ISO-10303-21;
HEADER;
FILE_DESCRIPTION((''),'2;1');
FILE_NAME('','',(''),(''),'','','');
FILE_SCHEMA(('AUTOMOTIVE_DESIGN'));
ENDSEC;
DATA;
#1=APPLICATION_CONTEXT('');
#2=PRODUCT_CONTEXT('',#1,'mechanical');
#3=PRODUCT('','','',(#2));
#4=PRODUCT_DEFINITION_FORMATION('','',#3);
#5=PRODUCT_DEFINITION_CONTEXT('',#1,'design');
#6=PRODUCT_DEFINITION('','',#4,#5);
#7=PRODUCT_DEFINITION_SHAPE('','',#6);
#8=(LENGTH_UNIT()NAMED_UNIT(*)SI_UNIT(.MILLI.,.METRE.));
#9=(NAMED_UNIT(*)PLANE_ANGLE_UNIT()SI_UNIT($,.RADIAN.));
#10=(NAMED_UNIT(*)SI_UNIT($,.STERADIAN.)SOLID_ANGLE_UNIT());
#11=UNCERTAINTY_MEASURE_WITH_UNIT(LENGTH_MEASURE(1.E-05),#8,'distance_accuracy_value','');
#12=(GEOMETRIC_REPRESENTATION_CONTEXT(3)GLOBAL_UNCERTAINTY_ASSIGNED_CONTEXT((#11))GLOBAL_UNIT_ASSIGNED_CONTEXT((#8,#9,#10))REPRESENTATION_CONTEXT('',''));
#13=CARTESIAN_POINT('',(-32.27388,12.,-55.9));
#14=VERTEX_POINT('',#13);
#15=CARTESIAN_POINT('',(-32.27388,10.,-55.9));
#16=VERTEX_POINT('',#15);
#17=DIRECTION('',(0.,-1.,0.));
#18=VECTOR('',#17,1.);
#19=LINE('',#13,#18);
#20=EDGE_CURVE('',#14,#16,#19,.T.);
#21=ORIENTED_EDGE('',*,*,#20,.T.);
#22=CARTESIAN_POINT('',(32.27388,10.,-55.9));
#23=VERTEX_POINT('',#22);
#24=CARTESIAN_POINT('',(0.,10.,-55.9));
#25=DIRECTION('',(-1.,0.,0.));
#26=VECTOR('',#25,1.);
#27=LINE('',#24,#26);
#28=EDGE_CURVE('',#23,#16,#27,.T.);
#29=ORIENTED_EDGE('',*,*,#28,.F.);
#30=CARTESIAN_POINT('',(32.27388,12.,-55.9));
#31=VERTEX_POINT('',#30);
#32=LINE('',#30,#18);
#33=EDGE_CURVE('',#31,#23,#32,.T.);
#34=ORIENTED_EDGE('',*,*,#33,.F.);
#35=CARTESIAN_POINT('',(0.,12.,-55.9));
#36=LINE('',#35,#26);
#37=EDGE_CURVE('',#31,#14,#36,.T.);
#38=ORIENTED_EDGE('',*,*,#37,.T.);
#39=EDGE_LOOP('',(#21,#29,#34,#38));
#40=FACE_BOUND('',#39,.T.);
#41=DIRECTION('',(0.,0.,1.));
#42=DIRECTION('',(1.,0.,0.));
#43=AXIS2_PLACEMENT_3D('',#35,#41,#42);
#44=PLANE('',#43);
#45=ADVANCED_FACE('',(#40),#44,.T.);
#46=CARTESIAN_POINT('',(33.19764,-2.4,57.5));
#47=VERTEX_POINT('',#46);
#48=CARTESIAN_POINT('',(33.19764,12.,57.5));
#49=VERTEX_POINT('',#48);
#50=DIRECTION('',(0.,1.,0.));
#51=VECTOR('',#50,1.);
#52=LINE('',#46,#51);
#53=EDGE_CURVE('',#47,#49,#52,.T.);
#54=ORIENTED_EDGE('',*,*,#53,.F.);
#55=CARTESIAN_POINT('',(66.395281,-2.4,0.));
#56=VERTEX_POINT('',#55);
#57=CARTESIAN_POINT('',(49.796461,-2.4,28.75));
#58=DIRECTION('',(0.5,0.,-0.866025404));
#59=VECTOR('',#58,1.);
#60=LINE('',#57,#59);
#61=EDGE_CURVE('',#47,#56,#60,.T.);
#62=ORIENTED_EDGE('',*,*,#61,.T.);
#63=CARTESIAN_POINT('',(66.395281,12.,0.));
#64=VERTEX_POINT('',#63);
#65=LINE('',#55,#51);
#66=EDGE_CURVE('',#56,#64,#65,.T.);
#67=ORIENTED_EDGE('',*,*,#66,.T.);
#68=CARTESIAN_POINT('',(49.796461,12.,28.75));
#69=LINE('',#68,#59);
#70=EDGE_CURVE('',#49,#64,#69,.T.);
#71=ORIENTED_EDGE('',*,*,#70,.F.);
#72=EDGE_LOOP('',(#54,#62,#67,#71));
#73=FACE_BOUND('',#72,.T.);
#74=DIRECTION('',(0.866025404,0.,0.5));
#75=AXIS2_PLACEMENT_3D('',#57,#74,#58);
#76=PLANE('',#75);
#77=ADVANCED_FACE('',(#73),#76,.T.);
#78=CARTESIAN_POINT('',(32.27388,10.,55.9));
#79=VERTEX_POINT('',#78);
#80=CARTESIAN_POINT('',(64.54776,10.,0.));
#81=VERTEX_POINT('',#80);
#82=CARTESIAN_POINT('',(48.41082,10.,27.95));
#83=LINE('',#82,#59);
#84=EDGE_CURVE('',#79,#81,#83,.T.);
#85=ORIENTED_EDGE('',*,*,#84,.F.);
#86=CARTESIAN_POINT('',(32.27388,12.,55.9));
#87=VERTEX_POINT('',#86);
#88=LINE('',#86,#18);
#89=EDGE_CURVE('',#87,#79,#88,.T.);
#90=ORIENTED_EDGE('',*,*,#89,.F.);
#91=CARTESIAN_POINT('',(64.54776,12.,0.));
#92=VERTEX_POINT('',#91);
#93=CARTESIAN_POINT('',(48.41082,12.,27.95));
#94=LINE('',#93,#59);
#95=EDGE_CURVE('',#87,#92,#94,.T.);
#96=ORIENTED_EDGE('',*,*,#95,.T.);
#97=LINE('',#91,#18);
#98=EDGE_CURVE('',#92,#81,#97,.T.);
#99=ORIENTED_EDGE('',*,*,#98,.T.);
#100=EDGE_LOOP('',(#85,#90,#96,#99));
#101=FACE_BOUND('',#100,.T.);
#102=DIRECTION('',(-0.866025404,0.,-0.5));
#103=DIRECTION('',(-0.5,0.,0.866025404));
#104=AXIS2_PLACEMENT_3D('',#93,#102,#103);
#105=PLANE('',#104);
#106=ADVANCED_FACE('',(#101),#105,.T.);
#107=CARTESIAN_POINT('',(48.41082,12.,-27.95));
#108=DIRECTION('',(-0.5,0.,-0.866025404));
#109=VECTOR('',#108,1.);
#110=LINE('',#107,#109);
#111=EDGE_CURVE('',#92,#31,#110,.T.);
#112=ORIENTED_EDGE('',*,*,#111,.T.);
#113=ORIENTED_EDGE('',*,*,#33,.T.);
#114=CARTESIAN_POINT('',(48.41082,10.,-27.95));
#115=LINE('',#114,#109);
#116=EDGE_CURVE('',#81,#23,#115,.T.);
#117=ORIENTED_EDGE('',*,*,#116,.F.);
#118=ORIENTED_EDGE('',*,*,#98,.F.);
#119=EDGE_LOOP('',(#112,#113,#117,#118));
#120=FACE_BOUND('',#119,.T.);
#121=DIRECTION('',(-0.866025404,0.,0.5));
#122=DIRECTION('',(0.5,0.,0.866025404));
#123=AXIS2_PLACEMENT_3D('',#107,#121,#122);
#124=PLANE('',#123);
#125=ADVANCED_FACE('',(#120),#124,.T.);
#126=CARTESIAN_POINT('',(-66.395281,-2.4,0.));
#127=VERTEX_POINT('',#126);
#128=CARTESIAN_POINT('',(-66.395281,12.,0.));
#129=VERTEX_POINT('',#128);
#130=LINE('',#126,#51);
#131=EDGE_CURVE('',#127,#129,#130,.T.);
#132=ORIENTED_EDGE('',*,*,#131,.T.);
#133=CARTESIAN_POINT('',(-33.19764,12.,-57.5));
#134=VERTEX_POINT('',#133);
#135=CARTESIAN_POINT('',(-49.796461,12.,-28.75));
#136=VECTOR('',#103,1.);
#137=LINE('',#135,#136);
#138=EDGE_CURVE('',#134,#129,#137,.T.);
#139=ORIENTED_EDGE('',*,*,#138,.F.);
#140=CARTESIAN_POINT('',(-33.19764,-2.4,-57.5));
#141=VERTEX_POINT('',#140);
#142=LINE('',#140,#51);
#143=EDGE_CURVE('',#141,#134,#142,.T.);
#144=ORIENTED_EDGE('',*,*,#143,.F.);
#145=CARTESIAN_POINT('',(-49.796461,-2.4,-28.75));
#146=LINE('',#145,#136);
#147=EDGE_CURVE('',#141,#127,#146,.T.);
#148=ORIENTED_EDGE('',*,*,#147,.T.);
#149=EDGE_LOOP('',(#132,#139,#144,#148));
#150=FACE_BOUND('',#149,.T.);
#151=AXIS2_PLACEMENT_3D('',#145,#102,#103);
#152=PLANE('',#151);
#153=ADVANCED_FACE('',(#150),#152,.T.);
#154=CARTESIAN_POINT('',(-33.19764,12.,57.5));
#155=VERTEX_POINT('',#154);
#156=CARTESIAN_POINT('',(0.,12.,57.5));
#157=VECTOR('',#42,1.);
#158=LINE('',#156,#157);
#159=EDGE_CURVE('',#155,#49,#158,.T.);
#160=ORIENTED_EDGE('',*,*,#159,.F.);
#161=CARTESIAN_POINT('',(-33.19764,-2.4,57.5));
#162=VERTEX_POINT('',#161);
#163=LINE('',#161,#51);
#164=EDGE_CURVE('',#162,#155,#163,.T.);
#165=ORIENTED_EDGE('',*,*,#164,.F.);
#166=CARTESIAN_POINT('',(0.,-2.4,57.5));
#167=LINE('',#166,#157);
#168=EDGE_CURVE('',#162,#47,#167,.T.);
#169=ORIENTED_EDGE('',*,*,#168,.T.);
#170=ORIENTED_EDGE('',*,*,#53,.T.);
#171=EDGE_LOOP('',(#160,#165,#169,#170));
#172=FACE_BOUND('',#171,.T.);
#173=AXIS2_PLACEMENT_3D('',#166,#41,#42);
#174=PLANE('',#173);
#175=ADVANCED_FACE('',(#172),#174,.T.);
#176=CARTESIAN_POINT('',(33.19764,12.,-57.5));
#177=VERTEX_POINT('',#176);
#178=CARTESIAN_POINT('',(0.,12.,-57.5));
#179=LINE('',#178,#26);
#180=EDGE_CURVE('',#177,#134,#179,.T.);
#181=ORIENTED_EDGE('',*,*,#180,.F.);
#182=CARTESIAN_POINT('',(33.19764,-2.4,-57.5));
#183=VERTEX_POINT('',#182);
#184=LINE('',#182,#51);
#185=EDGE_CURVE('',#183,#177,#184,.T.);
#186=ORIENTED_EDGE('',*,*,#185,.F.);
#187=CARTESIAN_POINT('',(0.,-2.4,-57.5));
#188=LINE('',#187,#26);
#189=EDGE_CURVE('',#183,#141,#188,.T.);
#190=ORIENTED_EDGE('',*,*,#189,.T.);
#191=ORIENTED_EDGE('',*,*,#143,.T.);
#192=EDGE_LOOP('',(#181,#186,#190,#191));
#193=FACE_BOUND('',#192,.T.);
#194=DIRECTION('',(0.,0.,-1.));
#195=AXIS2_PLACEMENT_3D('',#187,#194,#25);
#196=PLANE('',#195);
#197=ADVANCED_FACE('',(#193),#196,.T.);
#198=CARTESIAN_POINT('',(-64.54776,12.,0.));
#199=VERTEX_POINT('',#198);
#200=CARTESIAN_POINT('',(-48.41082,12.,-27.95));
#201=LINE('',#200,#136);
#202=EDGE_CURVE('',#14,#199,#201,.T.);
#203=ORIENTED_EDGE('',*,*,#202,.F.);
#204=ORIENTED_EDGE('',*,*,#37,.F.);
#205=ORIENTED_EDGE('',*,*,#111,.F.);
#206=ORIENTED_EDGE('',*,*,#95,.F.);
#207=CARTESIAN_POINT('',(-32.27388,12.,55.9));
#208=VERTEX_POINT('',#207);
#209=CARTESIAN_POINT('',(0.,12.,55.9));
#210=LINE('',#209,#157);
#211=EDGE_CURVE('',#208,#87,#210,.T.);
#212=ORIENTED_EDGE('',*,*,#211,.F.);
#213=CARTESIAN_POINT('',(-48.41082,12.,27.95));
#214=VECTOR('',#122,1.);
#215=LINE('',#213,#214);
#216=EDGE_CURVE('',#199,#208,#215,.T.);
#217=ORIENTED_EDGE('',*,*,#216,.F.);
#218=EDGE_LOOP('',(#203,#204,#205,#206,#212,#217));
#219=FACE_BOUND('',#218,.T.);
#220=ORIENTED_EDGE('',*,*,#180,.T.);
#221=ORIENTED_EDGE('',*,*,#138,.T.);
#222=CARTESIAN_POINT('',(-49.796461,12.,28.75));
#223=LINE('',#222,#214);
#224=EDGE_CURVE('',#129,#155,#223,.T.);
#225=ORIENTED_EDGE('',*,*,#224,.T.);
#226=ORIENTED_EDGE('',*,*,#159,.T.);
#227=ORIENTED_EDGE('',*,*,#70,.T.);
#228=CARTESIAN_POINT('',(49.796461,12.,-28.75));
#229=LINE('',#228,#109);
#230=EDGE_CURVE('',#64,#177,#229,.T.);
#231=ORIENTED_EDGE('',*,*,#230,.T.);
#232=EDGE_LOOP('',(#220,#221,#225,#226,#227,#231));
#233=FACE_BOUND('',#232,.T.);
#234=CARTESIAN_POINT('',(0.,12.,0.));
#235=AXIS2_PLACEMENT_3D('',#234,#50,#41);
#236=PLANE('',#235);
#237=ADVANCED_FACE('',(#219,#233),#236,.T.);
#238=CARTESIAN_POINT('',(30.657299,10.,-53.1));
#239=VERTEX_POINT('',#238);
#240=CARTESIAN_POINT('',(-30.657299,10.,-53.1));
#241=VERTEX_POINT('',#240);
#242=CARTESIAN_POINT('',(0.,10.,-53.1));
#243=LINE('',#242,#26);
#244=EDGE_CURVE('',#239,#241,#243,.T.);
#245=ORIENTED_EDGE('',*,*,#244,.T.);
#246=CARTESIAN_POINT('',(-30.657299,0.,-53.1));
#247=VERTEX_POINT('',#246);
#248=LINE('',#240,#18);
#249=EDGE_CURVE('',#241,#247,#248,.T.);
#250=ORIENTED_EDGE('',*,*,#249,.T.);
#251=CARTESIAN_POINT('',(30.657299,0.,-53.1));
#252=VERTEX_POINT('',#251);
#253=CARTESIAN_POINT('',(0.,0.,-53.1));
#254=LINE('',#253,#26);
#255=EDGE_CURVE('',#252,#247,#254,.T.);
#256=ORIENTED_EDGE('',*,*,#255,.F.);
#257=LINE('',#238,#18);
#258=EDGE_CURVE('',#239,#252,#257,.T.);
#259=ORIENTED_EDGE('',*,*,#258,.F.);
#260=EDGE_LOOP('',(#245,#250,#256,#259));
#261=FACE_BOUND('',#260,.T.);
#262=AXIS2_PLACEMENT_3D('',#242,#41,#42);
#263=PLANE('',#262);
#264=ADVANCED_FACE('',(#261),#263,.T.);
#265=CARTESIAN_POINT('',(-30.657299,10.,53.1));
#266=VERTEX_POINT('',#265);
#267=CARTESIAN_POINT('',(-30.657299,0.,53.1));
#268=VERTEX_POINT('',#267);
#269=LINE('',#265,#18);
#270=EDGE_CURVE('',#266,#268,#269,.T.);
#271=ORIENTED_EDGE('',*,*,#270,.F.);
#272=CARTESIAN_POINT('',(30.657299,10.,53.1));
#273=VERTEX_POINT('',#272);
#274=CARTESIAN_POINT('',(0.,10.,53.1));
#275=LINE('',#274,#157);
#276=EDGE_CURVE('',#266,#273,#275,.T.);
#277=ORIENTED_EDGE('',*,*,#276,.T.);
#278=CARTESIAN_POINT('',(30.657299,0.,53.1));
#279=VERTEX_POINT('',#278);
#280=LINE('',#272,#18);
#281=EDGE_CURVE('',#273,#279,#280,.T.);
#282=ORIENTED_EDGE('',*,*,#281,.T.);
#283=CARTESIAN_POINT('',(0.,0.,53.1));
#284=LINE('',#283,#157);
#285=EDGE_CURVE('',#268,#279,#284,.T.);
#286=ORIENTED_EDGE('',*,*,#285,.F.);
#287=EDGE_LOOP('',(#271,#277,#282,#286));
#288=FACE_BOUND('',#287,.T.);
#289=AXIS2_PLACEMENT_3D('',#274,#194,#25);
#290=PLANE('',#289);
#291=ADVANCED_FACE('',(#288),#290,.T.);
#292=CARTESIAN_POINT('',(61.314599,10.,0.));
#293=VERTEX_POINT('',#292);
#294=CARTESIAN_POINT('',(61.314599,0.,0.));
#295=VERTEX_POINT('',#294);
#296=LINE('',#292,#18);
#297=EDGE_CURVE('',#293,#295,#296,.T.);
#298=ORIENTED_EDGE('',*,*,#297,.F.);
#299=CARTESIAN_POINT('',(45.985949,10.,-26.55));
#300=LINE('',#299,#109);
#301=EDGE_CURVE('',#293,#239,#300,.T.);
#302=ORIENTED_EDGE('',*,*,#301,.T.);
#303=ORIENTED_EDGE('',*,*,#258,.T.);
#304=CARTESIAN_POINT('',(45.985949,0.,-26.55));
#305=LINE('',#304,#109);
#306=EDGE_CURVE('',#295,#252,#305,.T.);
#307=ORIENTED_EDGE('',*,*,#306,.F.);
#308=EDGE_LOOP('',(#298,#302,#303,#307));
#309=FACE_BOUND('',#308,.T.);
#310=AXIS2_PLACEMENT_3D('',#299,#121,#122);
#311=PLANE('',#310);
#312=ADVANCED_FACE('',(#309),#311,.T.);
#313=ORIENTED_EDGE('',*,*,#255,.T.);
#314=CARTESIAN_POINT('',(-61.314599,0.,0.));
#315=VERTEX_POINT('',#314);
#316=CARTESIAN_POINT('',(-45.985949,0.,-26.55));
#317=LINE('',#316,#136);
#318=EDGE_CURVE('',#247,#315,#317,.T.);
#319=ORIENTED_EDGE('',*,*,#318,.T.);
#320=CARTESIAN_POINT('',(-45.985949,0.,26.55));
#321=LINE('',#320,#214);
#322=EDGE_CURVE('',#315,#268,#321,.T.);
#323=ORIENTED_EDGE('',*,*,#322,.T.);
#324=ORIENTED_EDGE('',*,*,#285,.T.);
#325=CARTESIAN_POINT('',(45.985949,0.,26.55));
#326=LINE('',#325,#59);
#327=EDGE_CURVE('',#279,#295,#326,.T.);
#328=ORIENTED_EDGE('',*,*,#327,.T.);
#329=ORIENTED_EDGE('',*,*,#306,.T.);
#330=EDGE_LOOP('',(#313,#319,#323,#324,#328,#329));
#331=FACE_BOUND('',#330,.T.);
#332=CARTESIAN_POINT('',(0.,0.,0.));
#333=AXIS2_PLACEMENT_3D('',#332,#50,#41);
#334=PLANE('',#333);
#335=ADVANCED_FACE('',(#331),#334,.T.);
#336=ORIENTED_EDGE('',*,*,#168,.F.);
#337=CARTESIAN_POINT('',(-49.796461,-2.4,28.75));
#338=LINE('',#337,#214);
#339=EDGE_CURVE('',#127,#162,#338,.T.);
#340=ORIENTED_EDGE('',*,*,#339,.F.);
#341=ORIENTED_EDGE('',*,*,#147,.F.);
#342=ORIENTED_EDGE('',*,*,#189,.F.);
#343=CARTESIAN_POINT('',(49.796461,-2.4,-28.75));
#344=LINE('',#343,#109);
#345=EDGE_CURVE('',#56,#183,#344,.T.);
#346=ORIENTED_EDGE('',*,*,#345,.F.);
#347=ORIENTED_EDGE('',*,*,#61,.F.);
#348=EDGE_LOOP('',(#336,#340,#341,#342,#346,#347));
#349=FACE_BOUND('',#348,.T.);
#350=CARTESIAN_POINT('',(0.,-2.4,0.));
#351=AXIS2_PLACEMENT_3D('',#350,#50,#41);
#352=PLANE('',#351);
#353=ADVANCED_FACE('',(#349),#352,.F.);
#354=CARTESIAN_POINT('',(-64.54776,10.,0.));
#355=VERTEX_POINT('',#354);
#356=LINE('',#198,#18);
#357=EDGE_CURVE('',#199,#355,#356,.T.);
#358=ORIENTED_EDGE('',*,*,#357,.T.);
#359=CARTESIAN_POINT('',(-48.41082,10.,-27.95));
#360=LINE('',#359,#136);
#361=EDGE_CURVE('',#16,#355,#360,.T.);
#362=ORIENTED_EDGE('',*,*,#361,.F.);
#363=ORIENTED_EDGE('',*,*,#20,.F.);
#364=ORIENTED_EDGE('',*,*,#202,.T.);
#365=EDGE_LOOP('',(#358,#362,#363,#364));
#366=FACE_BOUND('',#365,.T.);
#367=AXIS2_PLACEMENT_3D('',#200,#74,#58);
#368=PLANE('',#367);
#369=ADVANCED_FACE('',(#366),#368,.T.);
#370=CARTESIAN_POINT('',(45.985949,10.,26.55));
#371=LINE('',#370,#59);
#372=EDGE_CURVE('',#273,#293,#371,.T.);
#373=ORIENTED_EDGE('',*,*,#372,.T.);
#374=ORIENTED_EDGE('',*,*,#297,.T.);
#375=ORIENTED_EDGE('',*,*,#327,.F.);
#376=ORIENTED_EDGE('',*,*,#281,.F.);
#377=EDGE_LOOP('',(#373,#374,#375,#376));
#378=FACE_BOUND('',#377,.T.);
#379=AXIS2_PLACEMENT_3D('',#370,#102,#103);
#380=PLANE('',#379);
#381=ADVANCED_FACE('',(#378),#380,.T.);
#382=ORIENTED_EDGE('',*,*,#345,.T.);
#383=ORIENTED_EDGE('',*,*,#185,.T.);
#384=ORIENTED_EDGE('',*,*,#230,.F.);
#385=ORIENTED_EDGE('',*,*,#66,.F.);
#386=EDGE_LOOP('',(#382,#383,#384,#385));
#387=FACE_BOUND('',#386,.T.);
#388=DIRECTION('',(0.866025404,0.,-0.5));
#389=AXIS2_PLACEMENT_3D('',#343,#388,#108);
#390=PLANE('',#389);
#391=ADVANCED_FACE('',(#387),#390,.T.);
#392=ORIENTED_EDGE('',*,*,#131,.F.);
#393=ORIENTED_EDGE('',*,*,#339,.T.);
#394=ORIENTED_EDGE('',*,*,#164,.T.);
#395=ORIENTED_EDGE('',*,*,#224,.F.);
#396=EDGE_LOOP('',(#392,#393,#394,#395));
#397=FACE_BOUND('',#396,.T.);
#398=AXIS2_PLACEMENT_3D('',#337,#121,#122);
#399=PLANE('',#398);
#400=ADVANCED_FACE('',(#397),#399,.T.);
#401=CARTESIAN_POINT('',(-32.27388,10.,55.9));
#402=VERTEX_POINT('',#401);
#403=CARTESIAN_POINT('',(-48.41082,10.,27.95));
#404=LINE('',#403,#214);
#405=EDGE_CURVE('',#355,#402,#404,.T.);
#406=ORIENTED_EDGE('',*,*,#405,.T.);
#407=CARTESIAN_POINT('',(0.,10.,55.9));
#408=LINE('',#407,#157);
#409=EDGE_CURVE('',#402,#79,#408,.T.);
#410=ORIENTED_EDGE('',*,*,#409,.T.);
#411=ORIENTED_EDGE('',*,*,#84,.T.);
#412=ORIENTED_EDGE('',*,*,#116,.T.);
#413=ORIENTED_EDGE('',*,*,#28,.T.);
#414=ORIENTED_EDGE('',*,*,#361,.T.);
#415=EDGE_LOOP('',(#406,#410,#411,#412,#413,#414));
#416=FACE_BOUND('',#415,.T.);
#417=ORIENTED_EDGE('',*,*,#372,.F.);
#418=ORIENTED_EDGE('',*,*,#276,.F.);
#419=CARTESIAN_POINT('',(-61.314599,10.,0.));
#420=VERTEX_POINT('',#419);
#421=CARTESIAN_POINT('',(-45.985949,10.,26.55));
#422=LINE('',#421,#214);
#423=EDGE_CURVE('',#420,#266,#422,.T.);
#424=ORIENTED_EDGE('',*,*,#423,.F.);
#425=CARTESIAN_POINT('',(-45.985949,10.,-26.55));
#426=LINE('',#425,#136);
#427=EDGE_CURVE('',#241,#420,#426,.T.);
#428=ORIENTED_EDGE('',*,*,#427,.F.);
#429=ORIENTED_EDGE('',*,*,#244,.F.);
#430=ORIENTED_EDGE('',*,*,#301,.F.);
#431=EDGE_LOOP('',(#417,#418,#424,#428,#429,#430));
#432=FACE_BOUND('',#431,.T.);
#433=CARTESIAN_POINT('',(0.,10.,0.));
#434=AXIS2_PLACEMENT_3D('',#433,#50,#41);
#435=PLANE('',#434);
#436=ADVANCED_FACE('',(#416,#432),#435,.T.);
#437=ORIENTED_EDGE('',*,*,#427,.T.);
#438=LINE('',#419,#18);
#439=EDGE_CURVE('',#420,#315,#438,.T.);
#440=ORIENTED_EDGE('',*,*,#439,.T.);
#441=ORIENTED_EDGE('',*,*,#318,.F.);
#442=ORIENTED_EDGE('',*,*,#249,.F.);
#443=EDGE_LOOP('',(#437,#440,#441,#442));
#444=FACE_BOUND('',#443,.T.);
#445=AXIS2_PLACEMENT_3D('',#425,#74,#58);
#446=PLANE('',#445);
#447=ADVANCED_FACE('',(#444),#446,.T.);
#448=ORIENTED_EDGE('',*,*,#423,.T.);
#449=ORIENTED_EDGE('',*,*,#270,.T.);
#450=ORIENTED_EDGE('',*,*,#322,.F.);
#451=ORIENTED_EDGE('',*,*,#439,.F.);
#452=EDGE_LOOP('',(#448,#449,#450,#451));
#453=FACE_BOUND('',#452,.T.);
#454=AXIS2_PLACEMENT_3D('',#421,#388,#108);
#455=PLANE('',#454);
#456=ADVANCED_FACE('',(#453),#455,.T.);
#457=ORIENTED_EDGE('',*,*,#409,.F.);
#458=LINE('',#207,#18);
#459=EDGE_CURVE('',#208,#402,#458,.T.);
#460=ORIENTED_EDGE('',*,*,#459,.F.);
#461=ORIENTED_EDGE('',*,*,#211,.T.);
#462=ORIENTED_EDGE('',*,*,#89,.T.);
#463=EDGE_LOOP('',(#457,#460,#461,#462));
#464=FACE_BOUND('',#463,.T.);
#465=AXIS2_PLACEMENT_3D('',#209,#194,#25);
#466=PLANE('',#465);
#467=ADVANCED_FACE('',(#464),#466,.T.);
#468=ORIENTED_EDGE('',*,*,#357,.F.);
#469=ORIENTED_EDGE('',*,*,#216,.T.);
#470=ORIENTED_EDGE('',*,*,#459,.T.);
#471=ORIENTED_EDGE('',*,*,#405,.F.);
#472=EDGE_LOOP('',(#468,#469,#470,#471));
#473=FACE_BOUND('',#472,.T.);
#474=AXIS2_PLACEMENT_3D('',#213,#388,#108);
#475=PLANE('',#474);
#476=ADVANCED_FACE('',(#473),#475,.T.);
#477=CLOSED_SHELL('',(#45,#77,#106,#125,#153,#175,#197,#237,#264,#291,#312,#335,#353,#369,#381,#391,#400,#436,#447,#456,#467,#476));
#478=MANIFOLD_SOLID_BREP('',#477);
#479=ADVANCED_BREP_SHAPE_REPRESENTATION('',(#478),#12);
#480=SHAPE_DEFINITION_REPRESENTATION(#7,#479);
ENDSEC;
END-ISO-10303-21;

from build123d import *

# Parameters (mm, degrees)
BOSS_EXTRUDE1_DEPTH = 2.4
BOSS_EXTRUDE2_DEPTH = 10
BOSS_EXTRUDE3_DEPTH = 12


with BuildPart() as part:
    # Sketch1 → Boss-Extrude1 (new body)
    with BuildSketch(Plane(origin=(0, 0, 0), x_dir=(1, 0, 0), z_dir=(0, 1, 0))):
        Polygon((66.395280957, 0), (33.197640478, 57.5), (-33.197640478, 57.5), (-66.395280957, 0), (-33.197640478, -57.5), (33.197640478, -57.5), align=None)
    extrude(amount=-BOSS_EXTRUDE1_DEPTH)

    # Sketch1<3> → Boss-Extrude2 (add)
    with BuildSketch(Plane(origin=(0, 0, 0), x_dir=(1, 0, 0), z_dir=(0, 1, 0))):
        Polygon((32.273880048, -55.9), (64.547760095, 0), (32.273880048, 55.9), (-32.273880048, 55.9), (-64.547760095, 0), (-32.273880048, -55.9), align=None)
        Polygon((30.657299294, 53.1), (-30.657299294, 53.1), (-61.314598588, 0), (-30.657299294, -53.1), (30.657299294, -53.1), (61.314598588, 0), align=None, mode=Mode.SUBTRACT)
    extrude(amount=BOSS_EXTRUDE2_DEPTH)

    # Sketch1<4> → Boss-Extrude3 (add)
    with BuildSketch(Plane(origin=(0, 0, 0), x_dir=(1, 0, 0), z_dir=(0, 1, 0))):
        Polygon((-33.197640478, -57.5), (33.197640478, -57.5), (66.395280957, 0), (33.197640478, 57.5), (-33.197640478, 57.5), (-66.395280957, 0), align=None)
        Polygon((64.547760095, 0), (32.273880048, 55.9), (-32.273880048, 55.9), (-64.547760095, 0), (-32.273880048, -55.9), (32.273880048, -55.9), align=None, mode=Mode.SUBTRACT)
    extrude(amount=BOSS_EXTRUDE3_DEPTH)


solid = part.part
